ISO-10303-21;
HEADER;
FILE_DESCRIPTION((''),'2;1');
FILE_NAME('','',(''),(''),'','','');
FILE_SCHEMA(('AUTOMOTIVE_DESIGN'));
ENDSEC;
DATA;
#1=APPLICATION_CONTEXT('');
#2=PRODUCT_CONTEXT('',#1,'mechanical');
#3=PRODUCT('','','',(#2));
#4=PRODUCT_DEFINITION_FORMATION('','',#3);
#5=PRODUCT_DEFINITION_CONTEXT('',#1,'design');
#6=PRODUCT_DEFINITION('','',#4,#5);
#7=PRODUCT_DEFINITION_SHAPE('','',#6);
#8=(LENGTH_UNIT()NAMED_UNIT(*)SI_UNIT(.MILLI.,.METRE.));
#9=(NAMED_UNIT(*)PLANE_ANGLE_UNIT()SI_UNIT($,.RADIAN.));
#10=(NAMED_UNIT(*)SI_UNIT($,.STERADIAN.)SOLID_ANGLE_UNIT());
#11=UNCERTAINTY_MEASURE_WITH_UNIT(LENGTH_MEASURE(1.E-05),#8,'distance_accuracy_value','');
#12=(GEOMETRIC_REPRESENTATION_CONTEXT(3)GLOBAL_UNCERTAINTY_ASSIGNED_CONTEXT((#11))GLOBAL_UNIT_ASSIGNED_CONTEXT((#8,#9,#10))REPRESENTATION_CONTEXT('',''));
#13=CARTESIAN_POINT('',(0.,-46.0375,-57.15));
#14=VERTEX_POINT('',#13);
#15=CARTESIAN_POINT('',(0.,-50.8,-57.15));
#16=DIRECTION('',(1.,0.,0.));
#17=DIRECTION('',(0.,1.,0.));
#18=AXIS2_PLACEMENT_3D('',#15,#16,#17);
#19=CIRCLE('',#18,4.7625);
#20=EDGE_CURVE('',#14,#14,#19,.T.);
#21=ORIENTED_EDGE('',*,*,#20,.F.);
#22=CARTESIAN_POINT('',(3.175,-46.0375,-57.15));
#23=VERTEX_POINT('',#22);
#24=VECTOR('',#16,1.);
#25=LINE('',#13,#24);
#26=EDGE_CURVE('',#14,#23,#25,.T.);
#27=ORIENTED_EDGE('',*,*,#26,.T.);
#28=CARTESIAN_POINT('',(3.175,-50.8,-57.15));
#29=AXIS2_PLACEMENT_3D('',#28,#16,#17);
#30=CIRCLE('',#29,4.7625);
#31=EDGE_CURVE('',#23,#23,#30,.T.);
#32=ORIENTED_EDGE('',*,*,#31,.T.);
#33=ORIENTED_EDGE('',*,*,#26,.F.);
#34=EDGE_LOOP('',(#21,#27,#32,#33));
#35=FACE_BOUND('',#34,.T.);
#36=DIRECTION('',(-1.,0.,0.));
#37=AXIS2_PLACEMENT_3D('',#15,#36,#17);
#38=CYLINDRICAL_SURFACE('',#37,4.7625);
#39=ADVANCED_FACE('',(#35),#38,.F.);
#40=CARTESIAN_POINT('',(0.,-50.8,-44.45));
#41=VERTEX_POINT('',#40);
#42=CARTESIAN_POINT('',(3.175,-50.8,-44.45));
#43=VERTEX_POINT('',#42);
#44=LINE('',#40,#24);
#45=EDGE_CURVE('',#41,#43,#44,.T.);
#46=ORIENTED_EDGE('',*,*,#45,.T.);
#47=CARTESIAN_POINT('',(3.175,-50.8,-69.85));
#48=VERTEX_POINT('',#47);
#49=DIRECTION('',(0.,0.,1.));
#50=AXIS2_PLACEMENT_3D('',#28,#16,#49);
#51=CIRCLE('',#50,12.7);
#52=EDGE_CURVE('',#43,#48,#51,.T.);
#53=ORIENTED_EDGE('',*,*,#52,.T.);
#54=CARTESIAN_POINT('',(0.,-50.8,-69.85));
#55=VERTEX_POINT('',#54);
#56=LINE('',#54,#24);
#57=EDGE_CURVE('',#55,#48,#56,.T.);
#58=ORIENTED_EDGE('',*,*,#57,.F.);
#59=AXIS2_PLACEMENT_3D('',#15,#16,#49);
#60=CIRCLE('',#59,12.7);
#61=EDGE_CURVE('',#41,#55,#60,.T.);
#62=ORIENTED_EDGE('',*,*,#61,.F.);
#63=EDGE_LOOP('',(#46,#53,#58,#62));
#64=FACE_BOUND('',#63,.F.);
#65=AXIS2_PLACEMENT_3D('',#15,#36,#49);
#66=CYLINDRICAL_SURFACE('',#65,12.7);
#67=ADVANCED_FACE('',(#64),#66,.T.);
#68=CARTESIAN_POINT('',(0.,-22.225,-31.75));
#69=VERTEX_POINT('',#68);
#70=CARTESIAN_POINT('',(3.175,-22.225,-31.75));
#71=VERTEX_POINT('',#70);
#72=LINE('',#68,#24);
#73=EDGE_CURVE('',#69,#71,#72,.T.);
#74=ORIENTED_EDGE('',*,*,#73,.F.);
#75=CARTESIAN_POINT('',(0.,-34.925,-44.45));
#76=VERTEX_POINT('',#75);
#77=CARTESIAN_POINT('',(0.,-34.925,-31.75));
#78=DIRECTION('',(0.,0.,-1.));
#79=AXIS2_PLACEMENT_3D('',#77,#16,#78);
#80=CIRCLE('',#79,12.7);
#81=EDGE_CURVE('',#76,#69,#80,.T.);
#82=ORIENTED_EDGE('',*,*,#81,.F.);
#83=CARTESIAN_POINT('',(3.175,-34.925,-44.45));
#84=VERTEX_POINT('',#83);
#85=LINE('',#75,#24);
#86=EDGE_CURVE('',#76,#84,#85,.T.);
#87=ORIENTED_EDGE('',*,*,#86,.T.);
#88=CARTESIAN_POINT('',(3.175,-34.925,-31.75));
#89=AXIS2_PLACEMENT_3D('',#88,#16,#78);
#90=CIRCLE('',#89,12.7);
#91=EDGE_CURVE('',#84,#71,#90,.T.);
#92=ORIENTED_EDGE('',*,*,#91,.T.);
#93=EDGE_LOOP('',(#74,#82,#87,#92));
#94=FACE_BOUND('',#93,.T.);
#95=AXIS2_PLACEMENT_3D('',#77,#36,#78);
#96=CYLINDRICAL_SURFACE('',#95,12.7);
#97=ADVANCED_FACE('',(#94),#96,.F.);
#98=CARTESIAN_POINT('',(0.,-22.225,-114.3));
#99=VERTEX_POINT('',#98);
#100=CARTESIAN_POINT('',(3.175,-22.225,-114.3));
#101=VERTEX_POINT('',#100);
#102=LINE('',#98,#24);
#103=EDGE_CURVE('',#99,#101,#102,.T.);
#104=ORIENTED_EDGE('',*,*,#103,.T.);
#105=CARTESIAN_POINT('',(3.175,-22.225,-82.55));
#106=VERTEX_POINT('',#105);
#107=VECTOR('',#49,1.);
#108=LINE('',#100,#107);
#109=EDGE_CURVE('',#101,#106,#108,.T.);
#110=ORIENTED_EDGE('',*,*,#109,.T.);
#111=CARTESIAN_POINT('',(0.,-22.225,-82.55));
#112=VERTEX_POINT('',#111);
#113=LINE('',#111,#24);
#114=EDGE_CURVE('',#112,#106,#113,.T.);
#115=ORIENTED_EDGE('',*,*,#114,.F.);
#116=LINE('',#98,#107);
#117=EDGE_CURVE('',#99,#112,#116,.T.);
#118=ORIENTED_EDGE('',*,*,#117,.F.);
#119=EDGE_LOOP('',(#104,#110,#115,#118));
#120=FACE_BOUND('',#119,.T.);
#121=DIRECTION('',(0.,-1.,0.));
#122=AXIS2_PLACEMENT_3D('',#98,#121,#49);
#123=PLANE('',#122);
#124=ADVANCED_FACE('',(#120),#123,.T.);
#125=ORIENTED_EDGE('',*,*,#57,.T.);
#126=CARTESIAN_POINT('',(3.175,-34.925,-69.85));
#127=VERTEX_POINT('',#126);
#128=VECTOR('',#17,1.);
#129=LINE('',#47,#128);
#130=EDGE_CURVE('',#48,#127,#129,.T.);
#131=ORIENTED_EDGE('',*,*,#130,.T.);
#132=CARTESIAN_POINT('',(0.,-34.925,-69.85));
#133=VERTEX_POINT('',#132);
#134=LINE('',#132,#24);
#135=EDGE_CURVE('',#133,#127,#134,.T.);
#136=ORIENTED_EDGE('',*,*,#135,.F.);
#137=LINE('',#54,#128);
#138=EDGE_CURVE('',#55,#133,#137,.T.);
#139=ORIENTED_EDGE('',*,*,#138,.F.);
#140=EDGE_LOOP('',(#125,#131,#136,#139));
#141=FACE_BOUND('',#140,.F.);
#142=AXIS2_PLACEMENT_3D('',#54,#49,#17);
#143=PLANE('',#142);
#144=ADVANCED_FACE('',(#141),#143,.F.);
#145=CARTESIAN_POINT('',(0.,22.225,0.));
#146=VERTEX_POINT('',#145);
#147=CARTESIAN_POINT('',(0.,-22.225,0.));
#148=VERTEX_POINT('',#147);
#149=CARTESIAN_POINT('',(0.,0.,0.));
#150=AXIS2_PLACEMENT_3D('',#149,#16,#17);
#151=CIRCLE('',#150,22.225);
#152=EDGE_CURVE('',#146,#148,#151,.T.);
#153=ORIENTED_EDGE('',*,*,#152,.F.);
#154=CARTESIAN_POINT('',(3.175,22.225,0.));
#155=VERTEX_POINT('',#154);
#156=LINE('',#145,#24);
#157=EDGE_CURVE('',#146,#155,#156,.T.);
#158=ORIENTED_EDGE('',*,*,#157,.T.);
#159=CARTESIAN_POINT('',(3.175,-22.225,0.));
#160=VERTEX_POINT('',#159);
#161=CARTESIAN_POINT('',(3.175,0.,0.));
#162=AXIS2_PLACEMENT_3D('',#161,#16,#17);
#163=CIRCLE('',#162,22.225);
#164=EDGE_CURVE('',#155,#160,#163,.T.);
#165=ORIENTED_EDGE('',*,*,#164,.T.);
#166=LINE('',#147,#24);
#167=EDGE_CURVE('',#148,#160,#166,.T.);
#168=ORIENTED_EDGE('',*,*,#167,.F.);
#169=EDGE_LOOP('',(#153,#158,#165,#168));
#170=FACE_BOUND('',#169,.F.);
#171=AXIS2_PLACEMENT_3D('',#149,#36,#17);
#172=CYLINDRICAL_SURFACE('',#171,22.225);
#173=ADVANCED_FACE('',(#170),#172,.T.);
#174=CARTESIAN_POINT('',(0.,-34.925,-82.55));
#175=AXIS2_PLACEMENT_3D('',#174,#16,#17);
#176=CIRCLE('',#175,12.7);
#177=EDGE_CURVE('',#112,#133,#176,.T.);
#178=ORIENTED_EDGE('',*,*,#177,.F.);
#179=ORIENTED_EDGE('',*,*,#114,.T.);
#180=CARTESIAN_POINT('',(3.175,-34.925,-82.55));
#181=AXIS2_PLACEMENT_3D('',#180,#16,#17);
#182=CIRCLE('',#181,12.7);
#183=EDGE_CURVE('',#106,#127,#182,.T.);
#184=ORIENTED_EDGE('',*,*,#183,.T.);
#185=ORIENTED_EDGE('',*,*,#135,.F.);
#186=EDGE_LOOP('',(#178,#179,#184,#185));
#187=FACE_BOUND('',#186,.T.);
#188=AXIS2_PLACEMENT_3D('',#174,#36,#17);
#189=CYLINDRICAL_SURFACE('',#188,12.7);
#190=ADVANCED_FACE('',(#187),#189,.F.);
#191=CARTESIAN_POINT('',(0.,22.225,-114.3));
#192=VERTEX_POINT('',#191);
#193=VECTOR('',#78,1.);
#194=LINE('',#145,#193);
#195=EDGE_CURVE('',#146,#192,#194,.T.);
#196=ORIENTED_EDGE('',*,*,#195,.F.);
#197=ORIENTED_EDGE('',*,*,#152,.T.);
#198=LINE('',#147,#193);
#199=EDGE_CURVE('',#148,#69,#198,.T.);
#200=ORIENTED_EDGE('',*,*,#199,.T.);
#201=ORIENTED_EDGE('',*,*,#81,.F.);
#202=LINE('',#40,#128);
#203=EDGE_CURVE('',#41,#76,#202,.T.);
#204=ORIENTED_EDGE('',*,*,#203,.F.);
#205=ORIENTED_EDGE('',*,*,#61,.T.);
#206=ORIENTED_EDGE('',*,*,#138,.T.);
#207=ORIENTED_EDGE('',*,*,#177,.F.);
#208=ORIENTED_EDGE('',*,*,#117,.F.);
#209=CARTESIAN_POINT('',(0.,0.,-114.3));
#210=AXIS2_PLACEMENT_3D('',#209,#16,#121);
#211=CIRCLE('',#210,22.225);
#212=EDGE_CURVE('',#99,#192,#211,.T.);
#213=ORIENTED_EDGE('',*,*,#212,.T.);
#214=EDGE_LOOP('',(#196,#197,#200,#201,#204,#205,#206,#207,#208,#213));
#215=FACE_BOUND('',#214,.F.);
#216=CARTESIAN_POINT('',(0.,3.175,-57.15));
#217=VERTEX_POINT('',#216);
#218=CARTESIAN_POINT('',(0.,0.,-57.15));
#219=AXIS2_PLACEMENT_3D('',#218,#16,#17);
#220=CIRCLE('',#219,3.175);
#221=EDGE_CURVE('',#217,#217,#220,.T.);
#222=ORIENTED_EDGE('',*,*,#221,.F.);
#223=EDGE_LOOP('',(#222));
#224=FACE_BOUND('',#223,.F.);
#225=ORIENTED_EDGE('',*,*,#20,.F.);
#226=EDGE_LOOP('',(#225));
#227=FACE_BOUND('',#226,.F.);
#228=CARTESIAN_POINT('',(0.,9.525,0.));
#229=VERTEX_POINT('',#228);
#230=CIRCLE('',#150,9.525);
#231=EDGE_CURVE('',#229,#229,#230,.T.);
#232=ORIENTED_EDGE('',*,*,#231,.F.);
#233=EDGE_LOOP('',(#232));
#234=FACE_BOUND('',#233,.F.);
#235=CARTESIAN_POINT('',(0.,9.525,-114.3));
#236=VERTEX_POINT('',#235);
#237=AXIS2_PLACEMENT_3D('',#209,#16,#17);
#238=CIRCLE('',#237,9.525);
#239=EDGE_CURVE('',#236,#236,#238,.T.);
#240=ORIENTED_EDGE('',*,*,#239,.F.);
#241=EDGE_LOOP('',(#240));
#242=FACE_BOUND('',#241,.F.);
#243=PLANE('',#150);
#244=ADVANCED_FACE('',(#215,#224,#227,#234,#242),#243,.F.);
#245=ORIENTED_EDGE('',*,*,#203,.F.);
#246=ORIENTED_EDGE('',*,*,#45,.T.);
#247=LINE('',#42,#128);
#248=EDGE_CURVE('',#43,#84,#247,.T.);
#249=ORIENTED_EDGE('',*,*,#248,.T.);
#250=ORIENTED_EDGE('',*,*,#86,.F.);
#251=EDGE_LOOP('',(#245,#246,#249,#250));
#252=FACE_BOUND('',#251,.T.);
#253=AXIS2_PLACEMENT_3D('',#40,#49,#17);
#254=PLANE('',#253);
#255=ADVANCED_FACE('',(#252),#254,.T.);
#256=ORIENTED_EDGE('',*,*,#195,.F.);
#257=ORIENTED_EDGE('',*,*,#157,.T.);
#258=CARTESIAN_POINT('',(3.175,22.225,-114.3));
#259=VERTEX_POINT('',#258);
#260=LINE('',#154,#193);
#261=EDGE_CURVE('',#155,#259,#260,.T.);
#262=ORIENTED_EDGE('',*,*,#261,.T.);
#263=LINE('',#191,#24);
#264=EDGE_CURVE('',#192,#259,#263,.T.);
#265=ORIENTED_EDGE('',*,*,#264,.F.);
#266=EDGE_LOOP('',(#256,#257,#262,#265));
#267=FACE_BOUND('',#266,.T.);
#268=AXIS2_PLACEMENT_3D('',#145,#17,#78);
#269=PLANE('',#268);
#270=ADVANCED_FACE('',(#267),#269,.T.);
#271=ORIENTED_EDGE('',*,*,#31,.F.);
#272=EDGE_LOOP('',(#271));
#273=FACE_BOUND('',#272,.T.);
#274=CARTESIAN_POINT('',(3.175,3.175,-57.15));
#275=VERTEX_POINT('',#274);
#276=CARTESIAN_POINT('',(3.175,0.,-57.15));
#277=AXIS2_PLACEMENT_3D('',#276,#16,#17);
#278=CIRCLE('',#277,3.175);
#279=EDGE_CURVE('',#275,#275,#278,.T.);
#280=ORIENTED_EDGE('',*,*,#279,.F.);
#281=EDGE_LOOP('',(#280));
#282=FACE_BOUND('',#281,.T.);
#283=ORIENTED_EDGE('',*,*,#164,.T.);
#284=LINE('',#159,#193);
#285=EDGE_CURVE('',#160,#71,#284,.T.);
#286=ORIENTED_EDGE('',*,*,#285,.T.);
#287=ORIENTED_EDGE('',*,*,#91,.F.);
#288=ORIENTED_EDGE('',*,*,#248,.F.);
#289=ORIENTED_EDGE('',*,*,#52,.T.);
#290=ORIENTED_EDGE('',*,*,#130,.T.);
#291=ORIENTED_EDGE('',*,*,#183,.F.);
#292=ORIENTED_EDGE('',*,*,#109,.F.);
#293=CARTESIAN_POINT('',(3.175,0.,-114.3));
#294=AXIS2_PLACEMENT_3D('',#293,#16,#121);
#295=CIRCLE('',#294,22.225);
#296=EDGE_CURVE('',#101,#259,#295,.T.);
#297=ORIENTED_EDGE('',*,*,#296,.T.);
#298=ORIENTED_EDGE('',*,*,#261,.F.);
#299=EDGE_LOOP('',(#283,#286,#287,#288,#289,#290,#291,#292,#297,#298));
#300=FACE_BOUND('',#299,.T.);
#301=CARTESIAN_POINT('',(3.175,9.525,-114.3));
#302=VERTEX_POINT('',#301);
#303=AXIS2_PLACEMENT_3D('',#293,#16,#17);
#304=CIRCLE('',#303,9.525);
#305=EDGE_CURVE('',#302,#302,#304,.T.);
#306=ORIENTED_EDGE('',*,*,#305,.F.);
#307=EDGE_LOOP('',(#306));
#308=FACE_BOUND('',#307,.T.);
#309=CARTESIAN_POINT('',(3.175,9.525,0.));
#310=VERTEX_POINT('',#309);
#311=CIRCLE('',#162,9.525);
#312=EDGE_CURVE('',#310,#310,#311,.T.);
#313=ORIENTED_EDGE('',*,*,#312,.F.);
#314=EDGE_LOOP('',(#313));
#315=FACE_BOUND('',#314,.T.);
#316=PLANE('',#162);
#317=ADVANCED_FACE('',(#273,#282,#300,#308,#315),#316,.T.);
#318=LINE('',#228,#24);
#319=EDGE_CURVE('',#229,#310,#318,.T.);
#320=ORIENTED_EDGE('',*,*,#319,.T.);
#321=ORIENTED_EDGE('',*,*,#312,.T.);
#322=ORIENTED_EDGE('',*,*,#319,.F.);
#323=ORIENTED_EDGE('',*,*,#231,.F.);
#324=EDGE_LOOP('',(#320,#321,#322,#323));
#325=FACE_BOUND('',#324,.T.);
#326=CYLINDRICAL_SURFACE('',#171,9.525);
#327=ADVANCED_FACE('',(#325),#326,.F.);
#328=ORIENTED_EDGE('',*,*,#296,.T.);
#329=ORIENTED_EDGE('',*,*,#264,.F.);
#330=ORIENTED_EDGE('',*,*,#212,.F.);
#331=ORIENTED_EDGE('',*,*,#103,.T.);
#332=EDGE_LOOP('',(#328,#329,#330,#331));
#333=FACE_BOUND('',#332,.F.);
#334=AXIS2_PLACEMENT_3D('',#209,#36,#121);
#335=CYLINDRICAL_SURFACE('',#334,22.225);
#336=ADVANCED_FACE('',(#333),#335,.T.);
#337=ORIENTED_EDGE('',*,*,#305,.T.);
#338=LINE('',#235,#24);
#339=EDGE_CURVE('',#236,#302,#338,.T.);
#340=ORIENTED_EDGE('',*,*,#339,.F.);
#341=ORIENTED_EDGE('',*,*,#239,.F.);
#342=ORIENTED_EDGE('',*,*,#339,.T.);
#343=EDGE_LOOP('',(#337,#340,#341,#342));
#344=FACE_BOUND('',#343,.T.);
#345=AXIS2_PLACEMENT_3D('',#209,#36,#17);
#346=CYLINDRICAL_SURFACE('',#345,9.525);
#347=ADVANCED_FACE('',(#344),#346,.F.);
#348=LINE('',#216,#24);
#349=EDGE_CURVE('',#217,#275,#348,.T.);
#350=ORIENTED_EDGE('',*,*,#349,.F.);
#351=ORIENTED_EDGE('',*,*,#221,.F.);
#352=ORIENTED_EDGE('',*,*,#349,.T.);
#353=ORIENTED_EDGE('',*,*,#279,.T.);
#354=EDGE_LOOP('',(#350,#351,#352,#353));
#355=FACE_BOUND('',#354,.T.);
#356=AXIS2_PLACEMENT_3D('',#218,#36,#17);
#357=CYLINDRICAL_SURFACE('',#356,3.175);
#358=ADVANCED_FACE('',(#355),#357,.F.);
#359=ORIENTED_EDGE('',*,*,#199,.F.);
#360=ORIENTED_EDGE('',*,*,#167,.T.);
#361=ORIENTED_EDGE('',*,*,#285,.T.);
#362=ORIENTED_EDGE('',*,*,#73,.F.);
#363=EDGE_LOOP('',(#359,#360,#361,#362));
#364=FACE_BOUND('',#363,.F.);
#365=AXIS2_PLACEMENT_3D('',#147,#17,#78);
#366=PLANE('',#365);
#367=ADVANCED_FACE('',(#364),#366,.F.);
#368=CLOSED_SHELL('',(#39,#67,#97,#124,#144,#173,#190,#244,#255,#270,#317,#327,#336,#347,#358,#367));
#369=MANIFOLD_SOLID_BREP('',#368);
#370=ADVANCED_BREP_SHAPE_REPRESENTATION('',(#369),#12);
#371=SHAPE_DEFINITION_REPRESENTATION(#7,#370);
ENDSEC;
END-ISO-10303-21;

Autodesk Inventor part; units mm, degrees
ref_plane "YZ Plane" through (0, 0, 0) normal (1, 0, 0) x (0, 1, 0)
ref_plane "XZ Plane" through (0, 0, 0) normal (0, 1, 0) x (-1, 0, 0)
ref_plane "XY Plane" through (0, 0, 0) normal (0, 0, 1) x (1, 0, 0)
sketch "Sketch1" plane through (0, 0, 0) normal (1, 0, 0) x (0, 1, 0)
  circle A0 centre (0, 0) radius 9.525
  circle A1 centre (0, -114.3) radius 9.525
  line L0 (0, -114.3) -> (0, 0) construction
  circle A2 centre (0, -57.15) radius 3.175
  arc A3 (22.225, 0) -> (-22.225, 0) centre (0, 0) ccw
  arc A4 (-22.225, -114.3) -> (22.225, -114.3) centre (0, -114.3) ccw
  line L1 (22.225, 0) -> (22.225, -114.3)
  line L2 (0, -57.15) -> (-50.8, -57.15) construction
  circle A5 centre (-50.8, -57.15) radius 4.7625
  arc A6 (-50.8, -44.45) -> (-50.8, -69.85) centre (-50.8, -57.15) ccw
  line L3 (-22.225, 0) -> (-22.225, -31.75)
  line L4 (-22.225, -114.3) -> (-22.225, -82.55)
  line L5 (-50.8, -44.45) -> (-34.925, -44.45)
  line L6 (-50.8, -69.85) -> (-34.925, -69.85)
  arc A7 (-34.925, -44.45) -> (-22.225, -31.75) centre (-34.925, -31.75) ccw
  arc A8 (-22.225, -82.55) -> (-34.925, -69.85) centre (-34.925, -82.55) ccw
  dimension "d1" = 19.05
  dimension "d3" = 114.3
  dimension "d4" = 6.35
  dimension "d5" = 44.45
  dimension "d16" = 50.8
  dimension "d17" = 9.525
  dimension "d18" = 25.4
extrude "Extrusion1" add sketch "Sketch1" along normal blind 3.175
properties part number "Swing Arm"
